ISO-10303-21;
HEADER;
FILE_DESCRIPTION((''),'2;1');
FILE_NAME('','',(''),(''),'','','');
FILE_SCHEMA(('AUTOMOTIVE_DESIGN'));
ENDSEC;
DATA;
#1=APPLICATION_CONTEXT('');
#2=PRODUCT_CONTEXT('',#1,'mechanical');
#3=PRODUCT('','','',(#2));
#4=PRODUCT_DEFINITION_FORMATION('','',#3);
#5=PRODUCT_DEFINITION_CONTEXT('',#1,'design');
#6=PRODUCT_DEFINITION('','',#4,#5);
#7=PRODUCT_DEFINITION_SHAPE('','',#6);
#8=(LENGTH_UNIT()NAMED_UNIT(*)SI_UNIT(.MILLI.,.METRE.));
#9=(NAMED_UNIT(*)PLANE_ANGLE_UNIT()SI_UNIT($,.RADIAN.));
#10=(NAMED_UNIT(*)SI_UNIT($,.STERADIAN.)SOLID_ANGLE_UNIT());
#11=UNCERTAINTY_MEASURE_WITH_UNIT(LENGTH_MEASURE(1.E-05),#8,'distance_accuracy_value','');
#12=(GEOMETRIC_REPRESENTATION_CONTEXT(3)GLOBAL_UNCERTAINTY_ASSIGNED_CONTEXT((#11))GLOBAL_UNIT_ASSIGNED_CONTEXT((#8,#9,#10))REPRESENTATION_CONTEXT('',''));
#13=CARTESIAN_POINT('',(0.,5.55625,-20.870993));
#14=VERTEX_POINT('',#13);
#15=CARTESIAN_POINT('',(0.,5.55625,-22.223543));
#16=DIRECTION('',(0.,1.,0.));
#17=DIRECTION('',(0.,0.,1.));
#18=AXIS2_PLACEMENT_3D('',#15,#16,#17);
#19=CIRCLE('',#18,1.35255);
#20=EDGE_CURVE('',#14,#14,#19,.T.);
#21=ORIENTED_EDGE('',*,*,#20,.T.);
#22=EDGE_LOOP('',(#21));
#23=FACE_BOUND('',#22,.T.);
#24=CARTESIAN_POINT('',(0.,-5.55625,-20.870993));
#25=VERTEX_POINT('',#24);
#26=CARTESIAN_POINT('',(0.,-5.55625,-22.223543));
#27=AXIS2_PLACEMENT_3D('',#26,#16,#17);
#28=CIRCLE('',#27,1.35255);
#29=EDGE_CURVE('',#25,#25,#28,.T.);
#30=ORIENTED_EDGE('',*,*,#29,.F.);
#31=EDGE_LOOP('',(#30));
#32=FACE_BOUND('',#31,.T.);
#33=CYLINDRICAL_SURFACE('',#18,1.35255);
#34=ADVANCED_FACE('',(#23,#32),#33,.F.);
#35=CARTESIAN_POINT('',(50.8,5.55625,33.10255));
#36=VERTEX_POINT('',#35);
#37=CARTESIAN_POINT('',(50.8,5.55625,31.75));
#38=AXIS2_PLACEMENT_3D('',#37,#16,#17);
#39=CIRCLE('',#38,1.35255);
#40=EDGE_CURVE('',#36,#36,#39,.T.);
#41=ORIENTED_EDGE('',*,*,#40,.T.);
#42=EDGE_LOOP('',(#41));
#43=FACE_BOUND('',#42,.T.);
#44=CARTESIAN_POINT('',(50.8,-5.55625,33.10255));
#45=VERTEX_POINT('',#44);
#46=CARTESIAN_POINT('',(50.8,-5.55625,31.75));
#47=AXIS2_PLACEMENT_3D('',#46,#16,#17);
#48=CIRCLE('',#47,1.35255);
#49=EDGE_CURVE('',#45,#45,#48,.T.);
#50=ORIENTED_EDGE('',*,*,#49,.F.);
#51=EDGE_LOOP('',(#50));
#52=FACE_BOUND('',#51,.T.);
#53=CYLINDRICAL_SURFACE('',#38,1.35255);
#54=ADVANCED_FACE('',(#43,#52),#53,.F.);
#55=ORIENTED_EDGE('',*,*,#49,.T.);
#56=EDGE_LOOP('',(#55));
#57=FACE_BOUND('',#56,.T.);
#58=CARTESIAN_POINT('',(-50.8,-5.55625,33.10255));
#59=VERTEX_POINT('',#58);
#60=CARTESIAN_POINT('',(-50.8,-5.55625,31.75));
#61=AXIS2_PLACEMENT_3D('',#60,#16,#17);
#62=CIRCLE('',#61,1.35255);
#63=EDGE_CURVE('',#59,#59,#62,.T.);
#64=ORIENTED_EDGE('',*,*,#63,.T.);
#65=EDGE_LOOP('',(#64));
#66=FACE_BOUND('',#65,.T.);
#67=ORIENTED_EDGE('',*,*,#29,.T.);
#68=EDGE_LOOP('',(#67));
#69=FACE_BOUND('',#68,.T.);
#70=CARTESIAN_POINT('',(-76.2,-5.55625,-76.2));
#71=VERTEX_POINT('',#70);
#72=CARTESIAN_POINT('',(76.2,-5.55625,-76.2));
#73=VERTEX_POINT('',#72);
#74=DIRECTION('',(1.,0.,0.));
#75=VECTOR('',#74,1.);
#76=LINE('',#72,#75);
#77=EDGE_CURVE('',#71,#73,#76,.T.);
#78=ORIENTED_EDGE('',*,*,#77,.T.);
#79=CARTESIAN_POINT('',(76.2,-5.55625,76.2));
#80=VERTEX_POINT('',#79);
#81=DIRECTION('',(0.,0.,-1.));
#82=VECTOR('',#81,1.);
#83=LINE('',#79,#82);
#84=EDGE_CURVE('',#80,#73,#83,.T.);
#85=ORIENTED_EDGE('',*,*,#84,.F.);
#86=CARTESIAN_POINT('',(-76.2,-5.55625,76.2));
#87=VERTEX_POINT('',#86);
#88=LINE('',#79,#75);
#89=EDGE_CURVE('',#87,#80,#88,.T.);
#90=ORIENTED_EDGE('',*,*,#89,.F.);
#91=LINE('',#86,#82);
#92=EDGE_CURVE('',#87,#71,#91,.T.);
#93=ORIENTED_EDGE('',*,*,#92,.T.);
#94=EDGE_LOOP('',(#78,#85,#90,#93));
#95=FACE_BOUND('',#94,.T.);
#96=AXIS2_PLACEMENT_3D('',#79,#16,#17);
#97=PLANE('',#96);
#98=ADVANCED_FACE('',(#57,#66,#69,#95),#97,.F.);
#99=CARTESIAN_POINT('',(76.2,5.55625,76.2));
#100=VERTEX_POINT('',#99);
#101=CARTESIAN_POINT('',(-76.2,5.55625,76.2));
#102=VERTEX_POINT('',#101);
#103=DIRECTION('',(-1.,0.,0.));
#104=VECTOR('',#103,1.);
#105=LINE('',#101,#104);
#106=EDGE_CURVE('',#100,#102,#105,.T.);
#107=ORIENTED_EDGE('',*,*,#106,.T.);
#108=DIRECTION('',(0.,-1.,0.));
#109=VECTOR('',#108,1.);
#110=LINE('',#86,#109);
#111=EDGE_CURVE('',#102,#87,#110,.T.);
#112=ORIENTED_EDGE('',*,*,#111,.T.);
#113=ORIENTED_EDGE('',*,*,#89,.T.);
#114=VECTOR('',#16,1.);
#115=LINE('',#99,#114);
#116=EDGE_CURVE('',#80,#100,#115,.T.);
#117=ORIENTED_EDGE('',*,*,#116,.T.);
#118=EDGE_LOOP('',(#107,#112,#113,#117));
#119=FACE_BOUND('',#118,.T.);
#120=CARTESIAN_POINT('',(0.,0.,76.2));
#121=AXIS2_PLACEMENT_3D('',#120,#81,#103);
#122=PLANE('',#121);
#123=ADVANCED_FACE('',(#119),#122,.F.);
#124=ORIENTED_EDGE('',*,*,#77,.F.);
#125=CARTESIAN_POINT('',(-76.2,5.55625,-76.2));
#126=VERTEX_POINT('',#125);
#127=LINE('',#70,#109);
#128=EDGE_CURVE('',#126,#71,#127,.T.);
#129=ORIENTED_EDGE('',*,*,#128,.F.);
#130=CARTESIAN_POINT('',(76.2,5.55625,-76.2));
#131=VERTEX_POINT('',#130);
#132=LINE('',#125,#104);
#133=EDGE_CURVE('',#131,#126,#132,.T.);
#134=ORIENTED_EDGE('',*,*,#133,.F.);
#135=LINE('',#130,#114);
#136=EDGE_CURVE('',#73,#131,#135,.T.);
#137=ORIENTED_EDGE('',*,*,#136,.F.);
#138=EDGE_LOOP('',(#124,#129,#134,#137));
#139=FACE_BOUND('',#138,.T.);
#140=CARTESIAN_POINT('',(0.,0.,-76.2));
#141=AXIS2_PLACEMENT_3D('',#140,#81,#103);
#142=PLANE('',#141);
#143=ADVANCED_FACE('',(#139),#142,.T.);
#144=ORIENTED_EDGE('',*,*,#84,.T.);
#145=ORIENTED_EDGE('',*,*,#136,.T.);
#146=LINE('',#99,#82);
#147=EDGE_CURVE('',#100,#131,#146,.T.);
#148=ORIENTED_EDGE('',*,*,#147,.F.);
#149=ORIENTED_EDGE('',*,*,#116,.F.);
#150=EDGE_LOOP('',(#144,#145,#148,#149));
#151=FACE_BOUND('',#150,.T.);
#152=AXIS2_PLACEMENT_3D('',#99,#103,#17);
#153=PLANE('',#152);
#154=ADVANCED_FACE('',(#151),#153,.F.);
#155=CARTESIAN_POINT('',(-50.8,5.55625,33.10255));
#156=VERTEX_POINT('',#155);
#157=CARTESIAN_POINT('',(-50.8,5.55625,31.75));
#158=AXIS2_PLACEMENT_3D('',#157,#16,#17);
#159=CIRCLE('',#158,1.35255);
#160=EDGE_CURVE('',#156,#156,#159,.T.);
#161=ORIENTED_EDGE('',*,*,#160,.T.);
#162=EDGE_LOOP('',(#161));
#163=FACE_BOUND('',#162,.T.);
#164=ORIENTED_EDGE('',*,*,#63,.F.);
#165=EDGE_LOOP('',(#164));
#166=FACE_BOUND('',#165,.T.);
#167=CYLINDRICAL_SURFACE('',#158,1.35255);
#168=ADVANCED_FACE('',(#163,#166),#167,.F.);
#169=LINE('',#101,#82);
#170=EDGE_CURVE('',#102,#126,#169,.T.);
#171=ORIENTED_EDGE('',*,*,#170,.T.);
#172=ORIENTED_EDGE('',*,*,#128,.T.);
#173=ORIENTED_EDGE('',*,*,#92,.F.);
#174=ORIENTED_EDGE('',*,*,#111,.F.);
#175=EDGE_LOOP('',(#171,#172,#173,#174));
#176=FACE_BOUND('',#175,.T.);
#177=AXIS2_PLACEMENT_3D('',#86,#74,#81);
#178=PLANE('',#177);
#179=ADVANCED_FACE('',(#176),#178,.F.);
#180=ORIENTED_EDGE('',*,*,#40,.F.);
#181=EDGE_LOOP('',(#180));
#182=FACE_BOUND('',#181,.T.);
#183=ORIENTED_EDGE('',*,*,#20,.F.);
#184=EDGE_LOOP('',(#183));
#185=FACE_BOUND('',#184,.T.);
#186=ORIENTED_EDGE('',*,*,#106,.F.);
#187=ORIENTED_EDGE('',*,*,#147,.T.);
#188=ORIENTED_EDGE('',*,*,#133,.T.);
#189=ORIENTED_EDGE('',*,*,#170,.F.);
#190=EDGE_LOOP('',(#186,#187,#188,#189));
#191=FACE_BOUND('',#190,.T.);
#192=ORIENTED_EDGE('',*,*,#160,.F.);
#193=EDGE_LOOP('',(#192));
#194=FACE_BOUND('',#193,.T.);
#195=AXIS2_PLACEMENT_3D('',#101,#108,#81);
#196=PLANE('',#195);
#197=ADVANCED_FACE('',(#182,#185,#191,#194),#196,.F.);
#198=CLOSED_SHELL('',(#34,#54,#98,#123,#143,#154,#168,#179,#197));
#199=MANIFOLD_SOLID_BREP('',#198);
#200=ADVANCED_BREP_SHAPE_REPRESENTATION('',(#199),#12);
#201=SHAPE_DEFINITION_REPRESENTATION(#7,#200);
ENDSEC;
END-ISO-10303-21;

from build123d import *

# Parameters (mm, degrees)
SKETCH3_W             = 152.4
SKETCH3_H             = 11.1125
BOSS_EXTRUDE1_DEPTH   = 76.2
F_6_32_TAPPED_HOLE1_D = 2.7051


with BuildPart() as part:
    # Sketch3 → Boss-Extrude1 (new, symmetric)
    with BuildSketch(Plane.XY):
        Rectangle(SKETCH3_W, SKETCH3_H)
    extrude(amount=BOSS_EXTRUDE1_DEPTH, both=True)

    # #6-32 Tapped Hole1 (through all)
    with Locations(Plane(origin=(0, 5.55625, 0), x_dir=(1, 0, 0), z_dir=(0, 1, 0))):
        with Locations((0, 22.223542588), (50.8, -31.75), (-50.8, -31.75)):
            Hole(F_6_32_TAPPED_HOLE1_D / 2)


solid = part.part
